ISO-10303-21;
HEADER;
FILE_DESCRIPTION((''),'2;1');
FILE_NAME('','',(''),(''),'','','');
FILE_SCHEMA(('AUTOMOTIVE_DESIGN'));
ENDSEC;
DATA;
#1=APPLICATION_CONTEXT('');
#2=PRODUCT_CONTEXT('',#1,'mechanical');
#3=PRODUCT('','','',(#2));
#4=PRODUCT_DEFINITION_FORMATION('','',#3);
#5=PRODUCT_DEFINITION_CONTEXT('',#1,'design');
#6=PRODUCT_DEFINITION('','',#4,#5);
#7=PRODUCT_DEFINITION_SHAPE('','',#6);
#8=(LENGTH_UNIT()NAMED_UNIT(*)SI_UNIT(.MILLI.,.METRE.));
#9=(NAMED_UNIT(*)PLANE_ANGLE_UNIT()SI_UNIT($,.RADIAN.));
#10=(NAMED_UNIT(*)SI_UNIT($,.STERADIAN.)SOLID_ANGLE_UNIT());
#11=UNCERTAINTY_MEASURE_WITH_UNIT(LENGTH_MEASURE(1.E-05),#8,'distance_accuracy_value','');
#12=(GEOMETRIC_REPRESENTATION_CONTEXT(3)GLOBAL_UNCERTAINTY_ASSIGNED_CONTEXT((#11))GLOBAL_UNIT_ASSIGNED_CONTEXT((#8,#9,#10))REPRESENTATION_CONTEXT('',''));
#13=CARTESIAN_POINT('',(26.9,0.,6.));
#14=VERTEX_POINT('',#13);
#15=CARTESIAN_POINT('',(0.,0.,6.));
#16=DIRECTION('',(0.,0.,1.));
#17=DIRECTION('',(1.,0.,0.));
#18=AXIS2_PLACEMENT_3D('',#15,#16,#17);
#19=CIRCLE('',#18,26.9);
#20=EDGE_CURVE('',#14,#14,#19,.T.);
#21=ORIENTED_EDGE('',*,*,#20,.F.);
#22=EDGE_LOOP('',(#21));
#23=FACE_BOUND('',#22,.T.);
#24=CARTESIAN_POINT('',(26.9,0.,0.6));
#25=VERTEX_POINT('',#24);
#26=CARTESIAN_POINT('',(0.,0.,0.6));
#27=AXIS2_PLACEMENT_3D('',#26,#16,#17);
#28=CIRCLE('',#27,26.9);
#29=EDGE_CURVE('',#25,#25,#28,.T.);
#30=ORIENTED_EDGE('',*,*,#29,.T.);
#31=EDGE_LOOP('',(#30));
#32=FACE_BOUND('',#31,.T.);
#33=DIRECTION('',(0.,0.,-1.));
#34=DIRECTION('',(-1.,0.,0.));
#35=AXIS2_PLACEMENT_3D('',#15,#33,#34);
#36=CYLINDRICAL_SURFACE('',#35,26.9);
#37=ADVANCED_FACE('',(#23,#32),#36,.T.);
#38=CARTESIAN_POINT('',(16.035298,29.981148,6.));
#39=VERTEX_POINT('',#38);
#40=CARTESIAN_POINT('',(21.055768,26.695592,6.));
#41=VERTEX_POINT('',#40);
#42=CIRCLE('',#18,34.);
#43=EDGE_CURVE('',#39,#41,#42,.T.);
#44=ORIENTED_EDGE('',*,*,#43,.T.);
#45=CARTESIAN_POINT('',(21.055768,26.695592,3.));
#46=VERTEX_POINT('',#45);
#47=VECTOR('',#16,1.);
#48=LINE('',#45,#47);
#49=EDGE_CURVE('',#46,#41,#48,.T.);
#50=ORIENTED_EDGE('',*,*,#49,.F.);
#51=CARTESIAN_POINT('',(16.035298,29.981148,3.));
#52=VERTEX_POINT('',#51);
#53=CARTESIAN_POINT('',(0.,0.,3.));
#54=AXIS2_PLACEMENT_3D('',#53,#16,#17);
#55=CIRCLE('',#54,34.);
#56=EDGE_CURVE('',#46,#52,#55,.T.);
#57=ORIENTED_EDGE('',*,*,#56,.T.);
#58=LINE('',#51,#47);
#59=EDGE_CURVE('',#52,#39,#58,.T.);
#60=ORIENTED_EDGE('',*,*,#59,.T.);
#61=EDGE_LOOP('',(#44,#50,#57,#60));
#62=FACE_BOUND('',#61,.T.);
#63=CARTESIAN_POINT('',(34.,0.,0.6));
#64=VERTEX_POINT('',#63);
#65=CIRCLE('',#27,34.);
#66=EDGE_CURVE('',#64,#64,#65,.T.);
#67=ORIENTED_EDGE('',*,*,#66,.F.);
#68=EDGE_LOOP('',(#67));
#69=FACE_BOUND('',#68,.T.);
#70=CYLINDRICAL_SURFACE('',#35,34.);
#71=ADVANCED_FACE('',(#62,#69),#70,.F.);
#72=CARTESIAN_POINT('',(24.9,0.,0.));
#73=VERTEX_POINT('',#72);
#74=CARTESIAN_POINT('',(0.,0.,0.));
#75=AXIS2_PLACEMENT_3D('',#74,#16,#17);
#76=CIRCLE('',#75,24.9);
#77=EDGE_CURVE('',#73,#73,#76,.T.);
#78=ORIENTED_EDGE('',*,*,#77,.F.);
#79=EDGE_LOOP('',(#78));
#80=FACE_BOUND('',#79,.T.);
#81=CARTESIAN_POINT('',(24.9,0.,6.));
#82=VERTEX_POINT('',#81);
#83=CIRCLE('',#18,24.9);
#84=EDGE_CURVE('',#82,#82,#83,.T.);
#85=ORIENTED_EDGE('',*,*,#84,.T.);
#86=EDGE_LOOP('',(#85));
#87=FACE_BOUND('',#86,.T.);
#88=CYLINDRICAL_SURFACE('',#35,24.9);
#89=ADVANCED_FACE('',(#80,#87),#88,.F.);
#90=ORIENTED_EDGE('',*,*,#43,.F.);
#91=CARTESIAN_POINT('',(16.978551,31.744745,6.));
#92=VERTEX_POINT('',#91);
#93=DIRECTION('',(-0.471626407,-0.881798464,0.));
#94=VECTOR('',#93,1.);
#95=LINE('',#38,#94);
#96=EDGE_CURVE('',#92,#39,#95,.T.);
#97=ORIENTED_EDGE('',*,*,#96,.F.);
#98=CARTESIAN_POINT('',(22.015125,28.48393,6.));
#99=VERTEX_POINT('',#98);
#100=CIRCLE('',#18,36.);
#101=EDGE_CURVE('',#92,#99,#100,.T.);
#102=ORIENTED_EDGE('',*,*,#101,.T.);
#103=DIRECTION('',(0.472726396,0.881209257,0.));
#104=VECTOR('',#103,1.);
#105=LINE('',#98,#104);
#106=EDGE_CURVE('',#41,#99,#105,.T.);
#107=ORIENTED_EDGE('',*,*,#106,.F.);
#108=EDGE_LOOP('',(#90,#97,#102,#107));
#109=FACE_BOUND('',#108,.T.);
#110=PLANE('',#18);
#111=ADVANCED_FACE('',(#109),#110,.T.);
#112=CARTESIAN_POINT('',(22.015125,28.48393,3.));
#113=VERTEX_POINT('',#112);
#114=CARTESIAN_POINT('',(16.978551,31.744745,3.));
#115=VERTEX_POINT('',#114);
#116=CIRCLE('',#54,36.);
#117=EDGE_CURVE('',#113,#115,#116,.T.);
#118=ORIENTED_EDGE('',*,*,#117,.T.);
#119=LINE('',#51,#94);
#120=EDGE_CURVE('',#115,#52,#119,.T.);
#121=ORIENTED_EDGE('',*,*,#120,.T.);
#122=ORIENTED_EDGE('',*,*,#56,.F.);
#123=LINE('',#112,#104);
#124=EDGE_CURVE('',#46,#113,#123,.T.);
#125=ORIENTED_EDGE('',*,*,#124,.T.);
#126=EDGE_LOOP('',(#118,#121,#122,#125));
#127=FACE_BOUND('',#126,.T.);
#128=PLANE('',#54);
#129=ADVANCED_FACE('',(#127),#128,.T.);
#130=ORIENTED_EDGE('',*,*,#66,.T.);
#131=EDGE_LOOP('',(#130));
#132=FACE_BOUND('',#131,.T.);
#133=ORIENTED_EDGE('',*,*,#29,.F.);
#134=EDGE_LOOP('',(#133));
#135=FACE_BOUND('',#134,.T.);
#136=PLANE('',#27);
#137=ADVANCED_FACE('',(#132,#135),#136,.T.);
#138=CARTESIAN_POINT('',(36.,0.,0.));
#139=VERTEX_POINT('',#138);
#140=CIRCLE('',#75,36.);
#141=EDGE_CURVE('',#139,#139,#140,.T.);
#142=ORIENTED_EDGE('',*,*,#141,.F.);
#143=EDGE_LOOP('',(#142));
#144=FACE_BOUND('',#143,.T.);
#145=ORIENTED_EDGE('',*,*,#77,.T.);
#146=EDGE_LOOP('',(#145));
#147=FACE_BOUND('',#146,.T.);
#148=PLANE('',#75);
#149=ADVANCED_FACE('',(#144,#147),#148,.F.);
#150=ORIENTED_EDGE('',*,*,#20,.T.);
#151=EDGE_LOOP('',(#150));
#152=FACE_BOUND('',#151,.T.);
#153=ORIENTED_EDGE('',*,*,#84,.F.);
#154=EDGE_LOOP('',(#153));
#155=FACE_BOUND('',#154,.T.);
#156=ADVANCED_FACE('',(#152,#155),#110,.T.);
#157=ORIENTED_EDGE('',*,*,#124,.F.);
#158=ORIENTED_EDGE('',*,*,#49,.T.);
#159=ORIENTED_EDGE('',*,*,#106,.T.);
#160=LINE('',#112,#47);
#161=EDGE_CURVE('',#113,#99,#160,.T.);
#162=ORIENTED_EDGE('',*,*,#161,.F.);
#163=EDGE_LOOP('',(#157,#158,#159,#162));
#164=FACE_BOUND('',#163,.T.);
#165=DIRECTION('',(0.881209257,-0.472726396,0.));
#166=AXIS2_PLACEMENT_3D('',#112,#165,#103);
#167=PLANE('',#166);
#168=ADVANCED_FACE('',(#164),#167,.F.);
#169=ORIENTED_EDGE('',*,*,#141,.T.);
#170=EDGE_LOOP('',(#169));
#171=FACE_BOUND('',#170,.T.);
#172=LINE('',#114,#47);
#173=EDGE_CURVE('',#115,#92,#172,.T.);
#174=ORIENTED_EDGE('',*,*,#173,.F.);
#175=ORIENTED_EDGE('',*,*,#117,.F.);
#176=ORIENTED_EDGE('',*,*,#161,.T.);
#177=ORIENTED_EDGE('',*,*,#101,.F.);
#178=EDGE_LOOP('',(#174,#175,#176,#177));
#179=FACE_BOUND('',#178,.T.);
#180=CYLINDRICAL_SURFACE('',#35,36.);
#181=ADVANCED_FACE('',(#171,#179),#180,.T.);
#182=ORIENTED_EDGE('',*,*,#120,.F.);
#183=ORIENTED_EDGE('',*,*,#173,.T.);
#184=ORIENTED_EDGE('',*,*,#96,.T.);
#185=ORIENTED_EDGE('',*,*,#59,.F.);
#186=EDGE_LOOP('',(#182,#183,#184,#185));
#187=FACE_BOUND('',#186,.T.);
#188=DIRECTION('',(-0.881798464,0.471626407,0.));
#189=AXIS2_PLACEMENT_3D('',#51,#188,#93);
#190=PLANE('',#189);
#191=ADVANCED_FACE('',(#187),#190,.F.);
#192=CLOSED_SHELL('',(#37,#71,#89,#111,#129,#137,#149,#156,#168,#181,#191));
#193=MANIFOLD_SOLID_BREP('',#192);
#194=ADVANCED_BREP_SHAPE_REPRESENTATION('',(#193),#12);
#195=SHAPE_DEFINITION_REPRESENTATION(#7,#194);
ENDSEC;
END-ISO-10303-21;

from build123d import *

# Parameters (mm, degrees)
SKETCH1_R             = 36
SKETCH1_R_2           = 34
BOSS_EXTRUDE1_DEPTH   = 6
SKETCH1_R_3           = 26.9
SKETCH1_R_4           = 24.9
BOSS_EXTRUDE1_2_DEPTH = 6
SKETCH1_3_R           = 34
SKETCH1_3_R_2         = 26.9
BOSS_EXTRUDE2_DEPTH   = 0.6
CUT_EXTRUDE1_DEPTH    = 3


with BuildPart() as part:
    # Sketch1 → Boss-Extrude1 (new body)
    with BuildSketch(Plane.XY):
        Circle(SKETCH1_R)
        Circle(SKETCH1_R_2, mode=Mode.SUBTRACT)
    extrude(amount=BOSS_EXTRUDE1_DEPTH)



with BuildPart() as body_2:
    # Sketch1 → Boss-Extrude1 2 (new body)
    with BuildSketch(Plane.XY):
        Circle(SKETCH1_R_3)
        Circle(SKETCH1_R_4, mode=Mode.SUBTRACT)
    extrude(amount=BOSS_EXTRUDE1_2_DEPTH)


with BuildPart() as part_1:
    add(part.part)

    add(body_2.part)  # Boss-Extrude2 merges body 2
    # Sketch1<3> → Boss-Extrude2 (add)
    with BuildSketch(Plane.XY):
        Circle(SKETCH1_3_R)
        Circle(SKETCH1_3_R_2, mode=Mode.SUBTRACT)
    extrude(amount=BOSS_EXTRUDE2_DEPTH)

    # Sketch4 → Cut-Extrude1 (cut)
    with BuildSketch(Plane.XY.offset(6)):
        Polygon((22.015125438, 28.483929714), (21.055768183, 26.695591888), (17.287744391, 26.985727401), (16.035297847, 29.981147793), (16.978550661, 31.744744722), (21.055768183, 32.257714182), align=None)
    extrude(amount=-CUT_EXTRUDE1_DEPTH, mode=Mode.SUBTRACT)


solid = part_1.part
